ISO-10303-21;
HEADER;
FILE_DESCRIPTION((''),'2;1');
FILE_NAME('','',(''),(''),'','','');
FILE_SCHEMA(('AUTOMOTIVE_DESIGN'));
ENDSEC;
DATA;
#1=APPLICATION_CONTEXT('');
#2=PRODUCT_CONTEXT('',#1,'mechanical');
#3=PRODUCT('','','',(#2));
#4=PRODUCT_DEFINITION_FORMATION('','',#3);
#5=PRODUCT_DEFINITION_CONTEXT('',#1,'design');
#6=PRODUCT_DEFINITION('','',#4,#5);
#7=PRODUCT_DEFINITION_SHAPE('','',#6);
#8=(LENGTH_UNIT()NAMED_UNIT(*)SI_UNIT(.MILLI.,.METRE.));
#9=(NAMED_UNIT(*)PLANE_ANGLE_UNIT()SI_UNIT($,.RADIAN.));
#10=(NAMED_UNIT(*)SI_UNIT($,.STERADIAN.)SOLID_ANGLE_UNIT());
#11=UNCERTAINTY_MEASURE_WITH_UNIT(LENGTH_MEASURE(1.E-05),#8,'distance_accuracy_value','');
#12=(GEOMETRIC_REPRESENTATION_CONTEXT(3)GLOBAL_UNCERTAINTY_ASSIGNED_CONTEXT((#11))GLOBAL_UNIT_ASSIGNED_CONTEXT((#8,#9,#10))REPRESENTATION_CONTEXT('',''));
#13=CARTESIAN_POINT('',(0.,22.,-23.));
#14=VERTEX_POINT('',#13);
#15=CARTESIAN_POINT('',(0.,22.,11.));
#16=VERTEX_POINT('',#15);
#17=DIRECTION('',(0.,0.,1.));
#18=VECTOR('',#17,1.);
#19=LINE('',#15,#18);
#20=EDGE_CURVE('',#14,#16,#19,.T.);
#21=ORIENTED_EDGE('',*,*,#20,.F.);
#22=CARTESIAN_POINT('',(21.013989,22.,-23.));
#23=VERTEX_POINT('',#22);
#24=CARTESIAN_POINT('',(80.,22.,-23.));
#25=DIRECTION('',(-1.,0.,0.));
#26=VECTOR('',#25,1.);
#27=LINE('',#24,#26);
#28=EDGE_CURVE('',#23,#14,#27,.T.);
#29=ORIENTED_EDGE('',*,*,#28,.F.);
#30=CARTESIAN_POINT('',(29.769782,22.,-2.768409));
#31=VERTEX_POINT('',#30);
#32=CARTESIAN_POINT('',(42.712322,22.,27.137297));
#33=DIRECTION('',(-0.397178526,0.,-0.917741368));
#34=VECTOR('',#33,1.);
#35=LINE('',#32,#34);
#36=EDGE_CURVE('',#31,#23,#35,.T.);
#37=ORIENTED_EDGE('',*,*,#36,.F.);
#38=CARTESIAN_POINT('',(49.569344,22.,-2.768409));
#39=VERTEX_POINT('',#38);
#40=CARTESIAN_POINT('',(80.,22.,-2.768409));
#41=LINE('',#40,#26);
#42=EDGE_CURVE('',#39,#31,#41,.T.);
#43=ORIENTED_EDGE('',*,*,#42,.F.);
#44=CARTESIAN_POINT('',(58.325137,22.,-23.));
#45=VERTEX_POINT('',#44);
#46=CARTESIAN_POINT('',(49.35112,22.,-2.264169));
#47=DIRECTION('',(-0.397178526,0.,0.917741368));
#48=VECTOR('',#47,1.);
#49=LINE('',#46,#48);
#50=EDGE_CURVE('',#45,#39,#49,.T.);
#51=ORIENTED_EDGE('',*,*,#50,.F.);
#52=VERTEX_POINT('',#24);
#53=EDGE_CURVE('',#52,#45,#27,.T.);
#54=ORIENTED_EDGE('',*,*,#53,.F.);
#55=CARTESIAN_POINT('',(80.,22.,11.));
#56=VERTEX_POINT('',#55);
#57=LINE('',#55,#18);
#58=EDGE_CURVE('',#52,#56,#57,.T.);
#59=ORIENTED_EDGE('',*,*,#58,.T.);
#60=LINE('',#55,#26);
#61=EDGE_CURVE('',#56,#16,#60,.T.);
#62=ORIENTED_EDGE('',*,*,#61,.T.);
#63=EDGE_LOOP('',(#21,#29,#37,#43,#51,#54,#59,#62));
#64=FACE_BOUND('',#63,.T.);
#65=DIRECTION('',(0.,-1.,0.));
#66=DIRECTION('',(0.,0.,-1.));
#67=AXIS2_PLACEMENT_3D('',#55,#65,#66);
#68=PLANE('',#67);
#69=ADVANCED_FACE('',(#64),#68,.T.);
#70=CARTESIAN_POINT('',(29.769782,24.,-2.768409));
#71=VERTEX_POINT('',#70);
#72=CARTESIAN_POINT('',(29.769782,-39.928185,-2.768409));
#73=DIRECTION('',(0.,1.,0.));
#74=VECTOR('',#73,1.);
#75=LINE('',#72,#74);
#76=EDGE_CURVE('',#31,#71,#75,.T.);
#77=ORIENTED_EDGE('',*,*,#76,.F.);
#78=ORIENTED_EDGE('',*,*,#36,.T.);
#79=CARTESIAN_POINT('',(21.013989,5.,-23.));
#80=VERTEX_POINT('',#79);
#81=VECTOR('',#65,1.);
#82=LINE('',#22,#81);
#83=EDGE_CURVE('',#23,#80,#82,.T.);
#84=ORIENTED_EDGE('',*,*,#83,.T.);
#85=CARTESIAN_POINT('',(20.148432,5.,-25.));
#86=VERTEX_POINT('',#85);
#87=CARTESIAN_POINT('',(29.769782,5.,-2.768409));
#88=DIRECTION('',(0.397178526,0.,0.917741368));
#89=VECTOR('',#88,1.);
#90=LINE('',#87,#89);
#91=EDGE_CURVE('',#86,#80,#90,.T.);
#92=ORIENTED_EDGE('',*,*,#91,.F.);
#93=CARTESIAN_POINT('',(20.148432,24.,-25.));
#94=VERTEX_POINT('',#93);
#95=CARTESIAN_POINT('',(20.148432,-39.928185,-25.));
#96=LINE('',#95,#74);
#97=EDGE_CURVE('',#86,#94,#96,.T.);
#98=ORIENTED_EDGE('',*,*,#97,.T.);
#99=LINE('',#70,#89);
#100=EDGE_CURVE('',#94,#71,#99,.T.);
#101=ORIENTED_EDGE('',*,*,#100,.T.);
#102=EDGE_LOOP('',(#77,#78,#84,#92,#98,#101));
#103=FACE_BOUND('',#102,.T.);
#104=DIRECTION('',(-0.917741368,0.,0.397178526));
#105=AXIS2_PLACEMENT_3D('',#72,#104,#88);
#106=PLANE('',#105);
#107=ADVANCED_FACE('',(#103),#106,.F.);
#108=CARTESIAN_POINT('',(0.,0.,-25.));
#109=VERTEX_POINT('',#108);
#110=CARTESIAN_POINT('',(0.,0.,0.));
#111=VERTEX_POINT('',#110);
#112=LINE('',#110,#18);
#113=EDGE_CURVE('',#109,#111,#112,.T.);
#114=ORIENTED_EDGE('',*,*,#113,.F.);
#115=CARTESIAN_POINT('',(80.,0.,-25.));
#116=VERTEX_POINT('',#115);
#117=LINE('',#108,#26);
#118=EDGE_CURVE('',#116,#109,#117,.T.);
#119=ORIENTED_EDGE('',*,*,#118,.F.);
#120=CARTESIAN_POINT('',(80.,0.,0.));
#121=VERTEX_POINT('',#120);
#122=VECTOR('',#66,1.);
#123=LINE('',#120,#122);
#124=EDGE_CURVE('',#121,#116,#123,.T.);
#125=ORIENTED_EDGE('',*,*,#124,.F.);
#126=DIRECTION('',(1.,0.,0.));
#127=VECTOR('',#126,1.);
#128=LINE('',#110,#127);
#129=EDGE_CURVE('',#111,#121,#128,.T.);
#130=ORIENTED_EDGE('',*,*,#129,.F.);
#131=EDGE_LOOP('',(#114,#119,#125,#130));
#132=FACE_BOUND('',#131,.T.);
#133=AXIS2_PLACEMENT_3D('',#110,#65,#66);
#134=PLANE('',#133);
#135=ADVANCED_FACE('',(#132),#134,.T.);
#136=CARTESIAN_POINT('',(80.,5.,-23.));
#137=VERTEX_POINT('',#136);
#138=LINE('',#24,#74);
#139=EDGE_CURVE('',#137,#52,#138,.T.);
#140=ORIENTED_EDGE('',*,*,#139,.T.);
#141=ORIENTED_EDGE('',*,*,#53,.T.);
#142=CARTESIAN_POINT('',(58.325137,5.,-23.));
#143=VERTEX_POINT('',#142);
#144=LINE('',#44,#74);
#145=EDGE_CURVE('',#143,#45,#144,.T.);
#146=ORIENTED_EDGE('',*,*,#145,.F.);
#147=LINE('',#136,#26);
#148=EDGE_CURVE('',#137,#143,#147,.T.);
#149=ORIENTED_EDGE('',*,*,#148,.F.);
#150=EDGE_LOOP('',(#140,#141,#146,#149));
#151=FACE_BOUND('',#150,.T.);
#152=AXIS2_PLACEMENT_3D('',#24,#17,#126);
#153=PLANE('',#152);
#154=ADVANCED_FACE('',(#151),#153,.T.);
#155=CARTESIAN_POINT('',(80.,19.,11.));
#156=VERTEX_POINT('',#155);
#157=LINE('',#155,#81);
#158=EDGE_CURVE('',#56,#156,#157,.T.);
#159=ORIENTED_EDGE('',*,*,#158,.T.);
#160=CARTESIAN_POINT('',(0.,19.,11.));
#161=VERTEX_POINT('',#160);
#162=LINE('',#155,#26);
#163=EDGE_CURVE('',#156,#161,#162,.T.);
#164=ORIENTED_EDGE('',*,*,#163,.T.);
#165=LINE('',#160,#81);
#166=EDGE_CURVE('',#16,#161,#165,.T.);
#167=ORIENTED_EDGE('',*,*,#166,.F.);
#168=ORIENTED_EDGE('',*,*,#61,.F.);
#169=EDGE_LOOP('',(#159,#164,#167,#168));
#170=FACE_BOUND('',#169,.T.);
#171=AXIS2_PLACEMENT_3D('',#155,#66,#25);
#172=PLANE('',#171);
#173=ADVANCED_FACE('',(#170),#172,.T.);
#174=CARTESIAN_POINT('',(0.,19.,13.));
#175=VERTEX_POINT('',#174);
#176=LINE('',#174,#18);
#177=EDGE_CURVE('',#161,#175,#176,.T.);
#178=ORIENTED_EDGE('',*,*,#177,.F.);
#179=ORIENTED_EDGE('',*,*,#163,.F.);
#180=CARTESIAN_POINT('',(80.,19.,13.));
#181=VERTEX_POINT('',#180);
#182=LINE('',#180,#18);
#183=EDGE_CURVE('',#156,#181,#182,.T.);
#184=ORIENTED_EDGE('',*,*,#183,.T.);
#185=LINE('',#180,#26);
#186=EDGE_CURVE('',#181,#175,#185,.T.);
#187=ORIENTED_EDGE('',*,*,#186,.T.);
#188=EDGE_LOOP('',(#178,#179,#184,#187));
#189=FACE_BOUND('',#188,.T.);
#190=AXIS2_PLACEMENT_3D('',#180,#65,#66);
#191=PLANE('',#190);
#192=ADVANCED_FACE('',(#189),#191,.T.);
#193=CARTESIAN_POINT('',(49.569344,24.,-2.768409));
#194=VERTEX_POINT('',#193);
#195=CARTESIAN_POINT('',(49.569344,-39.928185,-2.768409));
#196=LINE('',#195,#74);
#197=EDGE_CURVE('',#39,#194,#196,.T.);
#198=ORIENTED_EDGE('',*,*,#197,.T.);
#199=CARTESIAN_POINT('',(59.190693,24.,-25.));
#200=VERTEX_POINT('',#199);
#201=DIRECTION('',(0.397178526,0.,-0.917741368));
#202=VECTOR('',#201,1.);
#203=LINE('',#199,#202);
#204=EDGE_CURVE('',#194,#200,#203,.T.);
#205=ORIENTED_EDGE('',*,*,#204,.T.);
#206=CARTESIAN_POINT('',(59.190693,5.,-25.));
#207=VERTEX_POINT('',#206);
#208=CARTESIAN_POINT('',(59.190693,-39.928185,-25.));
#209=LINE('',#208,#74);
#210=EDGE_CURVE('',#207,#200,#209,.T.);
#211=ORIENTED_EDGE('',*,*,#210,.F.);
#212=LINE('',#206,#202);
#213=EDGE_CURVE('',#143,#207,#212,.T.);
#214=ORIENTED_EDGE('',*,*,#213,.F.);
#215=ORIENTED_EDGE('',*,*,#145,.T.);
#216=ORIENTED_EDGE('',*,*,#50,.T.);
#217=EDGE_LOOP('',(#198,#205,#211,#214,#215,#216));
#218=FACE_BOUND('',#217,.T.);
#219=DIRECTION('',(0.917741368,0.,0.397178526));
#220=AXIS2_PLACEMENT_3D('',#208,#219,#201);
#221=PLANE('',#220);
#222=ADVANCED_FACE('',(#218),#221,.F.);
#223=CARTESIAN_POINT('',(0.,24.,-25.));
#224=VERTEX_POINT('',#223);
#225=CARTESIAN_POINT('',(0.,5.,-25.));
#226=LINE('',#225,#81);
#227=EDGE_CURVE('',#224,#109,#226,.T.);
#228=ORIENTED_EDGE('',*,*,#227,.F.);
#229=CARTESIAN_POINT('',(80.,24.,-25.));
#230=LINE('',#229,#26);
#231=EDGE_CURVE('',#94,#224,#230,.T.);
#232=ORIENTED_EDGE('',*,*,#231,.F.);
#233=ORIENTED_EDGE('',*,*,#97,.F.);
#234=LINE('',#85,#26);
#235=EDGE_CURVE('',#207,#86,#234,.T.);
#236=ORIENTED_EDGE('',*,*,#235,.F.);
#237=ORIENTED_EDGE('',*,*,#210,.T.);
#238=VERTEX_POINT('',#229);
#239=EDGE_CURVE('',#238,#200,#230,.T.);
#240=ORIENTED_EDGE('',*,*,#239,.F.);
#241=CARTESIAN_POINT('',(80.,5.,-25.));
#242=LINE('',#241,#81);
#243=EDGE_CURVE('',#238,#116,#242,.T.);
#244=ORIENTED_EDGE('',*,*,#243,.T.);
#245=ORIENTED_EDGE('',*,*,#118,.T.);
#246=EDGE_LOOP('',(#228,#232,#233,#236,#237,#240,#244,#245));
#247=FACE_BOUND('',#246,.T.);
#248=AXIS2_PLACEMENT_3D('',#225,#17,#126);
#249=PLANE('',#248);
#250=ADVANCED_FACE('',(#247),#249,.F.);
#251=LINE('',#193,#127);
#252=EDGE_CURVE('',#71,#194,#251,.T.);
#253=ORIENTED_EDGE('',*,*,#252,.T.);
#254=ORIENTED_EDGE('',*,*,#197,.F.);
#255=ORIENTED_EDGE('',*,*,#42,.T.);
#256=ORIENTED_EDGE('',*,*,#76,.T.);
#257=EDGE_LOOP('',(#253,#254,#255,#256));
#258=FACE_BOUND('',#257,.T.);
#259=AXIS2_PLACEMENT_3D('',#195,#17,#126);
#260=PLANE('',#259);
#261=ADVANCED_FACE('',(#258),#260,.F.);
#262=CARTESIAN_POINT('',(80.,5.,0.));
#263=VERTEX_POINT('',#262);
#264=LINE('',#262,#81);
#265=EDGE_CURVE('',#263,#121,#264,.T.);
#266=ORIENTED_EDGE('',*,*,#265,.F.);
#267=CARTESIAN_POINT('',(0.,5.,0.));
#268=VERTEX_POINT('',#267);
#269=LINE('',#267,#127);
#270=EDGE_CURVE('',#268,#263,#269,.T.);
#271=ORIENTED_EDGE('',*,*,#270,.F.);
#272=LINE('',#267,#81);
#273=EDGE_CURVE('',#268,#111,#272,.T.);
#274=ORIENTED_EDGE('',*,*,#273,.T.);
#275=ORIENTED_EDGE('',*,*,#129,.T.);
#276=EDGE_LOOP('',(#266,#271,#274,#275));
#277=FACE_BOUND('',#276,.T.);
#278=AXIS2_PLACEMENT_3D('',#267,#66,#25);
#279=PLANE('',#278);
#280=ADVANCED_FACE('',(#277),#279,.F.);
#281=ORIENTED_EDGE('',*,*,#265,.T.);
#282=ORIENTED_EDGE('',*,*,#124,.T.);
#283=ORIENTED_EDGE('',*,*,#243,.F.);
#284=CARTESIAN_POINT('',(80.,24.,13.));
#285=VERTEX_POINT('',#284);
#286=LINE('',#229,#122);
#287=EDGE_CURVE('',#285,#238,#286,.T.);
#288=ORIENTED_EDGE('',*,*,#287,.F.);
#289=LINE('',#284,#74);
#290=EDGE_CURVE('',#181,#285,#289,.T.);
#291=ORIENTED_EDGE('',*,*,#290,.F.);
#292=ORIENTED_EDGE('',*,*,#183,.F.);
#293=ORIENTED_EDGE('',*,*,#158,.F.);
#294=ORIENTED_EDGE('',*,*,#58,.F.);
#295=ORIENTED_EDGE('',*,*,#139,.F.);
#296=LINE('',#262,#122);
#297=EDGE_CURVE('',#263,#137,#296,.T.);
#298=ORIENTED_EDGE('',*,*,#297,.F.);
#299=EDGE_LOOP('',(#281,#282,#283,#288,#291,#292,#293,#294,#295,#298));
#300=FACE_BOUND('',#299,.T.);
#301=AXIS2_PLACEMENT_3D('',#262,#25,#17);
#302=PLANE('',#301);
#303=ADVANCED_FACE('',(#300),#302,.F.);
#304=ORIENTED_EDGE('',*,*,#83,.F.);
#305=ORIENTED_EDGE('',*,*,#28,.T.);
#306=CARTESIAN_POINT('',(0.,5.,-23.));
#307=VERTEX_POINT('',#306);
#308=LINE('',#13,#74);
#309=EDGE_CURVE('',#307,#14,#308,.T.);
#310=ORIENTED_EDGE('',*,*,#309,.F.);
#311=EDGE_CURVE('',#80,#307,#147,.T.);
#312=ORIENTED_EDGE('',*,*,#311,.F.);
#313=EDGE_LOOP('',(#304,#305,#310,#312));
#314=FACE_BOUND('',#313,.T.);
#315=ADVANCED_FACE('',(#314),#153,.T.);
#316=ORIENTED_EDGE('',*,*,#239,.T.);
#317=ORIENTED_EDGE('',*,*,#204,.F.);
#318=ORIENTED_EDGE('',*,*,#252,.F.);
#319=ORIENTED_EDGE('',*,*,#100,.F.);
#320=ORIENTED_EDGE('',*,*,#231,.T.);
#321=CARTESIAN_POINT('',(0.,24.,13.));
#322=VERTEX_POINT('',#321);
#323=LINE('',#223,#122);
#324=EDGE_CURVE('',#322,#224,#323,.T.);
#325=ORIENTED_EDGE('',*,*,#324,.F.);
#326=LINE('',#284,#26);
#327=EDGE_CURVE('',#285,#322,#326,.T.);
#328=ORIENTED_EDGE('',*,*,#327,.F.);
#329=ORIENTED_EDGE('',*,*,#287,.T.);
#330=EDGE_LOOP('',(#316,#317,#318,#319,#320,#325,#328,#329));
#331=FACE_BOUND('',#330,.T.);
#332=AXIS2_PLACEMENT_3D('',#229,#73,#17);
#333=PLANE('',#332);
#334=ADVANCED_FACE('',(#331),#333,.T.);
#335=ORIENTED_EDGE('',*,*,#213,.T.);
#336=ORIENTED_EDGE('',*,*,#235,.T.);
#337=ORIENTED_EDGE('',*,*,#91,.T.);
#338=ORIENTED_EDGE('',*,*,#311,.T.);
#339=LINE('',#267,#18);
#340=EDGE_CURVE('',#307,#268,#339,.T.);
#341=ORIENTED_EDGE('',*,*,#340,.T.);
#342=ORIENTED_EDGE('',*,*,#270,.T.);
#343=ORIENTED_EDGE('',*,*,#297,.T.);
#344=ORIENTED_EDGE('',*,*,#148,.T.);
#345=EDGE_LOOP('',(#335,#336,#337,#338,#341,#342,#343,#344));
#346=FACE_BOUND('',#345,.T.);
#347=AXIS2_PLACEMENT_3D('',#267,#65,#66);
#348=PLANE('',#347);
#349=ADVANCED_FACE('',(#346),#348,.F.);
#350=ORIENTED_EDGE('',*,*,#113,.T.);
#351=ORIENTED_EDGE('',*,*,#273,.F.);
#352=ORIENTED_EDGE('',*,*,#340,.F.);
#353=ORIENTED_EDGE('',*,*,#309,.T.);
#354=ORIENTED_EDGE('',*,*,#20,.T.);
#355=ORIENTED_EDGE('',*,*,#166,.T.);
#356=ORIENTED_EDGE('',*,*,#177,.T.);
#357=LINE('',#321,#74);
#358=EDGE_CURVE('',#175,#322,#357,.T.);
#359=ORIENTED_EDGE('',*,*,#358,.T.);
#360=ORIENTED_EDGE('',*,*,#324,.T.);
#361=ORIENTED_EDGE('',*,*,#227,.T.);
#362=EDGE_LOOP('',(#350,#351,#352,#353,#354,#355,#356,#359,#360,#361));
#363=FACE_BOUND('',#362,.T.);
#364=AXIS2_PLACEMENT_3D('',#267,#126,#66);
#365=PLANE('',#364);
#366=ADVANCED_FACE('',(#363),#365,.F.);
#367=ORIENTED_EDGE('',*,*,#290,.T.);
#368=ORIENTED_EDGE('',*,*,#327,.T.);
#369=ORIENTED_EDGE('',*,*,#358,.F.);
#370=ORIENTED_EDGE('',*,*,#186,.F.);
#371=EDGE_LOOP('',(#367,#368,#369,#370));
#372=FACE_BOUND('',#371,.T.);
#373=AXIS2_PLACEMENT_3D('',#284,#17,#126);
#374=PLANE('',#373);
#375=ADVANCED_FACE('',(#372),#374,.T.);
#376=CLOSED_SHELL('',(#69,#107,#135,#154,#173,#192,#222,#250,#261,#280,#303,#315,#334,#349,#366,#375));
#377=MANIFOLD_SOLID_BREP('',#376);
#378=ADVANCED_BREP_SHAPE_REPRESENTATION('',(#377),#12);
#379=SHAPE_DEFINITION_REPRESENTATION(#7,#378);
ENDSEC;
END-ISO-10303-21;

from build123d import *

# Parameters (mm, degrees)
SKETCH1_W           = 80
SKETCH1_H           = 25
BOSS_EXTRUDE1_DEPTH = 5
BOSS_EXTRUDE2_DEPTH = 80
CUT_EXTRUDE1_DEPTH  = 19


with BuildPart() as part:
    # Sketch1 → Boss-Extrude1 (new body)
    with BuildSketch(Plane(origin=(0, 0, 0), x_dir=(1, 0, 0), z_dir=(0, 1, 0))):
        with Locations((40, 12.5)):
            Rectangle(SKETCH1_W, SKETCH1_H)
    extrude(amount=BOSS_EXTRUDE1_DEPTH)

    # Sketch2 → Boss-Extrude2 (add)
    with BuildSketch(Plane.ZY):
        Polygon((-25, 5), (-25, 24), (13, 24), (13, 19), (11, 19), (11, 22), (-23, 22), (-23, 5), align=None)
    extrude(amount=-BOSS_EXTRUDE2_DEPTH)

    # Sketch3 → Cut-Extrude1 (cut)
    with BuildSketch(Plane(origin=(0, 24, 0), x_dir=(1, 0, 0), z_dir=(0, 1, 0))):
        Polygon((59.190693398, 25), (49.569343824, 2.768409055), (29.769781604, 2.768409055), (20.148432029, 25), align=None)
    extrude(amount=-CUT_EXTRUDE1_DEPTH, mode=Mode.SUBTRACT)


solid = part.part
